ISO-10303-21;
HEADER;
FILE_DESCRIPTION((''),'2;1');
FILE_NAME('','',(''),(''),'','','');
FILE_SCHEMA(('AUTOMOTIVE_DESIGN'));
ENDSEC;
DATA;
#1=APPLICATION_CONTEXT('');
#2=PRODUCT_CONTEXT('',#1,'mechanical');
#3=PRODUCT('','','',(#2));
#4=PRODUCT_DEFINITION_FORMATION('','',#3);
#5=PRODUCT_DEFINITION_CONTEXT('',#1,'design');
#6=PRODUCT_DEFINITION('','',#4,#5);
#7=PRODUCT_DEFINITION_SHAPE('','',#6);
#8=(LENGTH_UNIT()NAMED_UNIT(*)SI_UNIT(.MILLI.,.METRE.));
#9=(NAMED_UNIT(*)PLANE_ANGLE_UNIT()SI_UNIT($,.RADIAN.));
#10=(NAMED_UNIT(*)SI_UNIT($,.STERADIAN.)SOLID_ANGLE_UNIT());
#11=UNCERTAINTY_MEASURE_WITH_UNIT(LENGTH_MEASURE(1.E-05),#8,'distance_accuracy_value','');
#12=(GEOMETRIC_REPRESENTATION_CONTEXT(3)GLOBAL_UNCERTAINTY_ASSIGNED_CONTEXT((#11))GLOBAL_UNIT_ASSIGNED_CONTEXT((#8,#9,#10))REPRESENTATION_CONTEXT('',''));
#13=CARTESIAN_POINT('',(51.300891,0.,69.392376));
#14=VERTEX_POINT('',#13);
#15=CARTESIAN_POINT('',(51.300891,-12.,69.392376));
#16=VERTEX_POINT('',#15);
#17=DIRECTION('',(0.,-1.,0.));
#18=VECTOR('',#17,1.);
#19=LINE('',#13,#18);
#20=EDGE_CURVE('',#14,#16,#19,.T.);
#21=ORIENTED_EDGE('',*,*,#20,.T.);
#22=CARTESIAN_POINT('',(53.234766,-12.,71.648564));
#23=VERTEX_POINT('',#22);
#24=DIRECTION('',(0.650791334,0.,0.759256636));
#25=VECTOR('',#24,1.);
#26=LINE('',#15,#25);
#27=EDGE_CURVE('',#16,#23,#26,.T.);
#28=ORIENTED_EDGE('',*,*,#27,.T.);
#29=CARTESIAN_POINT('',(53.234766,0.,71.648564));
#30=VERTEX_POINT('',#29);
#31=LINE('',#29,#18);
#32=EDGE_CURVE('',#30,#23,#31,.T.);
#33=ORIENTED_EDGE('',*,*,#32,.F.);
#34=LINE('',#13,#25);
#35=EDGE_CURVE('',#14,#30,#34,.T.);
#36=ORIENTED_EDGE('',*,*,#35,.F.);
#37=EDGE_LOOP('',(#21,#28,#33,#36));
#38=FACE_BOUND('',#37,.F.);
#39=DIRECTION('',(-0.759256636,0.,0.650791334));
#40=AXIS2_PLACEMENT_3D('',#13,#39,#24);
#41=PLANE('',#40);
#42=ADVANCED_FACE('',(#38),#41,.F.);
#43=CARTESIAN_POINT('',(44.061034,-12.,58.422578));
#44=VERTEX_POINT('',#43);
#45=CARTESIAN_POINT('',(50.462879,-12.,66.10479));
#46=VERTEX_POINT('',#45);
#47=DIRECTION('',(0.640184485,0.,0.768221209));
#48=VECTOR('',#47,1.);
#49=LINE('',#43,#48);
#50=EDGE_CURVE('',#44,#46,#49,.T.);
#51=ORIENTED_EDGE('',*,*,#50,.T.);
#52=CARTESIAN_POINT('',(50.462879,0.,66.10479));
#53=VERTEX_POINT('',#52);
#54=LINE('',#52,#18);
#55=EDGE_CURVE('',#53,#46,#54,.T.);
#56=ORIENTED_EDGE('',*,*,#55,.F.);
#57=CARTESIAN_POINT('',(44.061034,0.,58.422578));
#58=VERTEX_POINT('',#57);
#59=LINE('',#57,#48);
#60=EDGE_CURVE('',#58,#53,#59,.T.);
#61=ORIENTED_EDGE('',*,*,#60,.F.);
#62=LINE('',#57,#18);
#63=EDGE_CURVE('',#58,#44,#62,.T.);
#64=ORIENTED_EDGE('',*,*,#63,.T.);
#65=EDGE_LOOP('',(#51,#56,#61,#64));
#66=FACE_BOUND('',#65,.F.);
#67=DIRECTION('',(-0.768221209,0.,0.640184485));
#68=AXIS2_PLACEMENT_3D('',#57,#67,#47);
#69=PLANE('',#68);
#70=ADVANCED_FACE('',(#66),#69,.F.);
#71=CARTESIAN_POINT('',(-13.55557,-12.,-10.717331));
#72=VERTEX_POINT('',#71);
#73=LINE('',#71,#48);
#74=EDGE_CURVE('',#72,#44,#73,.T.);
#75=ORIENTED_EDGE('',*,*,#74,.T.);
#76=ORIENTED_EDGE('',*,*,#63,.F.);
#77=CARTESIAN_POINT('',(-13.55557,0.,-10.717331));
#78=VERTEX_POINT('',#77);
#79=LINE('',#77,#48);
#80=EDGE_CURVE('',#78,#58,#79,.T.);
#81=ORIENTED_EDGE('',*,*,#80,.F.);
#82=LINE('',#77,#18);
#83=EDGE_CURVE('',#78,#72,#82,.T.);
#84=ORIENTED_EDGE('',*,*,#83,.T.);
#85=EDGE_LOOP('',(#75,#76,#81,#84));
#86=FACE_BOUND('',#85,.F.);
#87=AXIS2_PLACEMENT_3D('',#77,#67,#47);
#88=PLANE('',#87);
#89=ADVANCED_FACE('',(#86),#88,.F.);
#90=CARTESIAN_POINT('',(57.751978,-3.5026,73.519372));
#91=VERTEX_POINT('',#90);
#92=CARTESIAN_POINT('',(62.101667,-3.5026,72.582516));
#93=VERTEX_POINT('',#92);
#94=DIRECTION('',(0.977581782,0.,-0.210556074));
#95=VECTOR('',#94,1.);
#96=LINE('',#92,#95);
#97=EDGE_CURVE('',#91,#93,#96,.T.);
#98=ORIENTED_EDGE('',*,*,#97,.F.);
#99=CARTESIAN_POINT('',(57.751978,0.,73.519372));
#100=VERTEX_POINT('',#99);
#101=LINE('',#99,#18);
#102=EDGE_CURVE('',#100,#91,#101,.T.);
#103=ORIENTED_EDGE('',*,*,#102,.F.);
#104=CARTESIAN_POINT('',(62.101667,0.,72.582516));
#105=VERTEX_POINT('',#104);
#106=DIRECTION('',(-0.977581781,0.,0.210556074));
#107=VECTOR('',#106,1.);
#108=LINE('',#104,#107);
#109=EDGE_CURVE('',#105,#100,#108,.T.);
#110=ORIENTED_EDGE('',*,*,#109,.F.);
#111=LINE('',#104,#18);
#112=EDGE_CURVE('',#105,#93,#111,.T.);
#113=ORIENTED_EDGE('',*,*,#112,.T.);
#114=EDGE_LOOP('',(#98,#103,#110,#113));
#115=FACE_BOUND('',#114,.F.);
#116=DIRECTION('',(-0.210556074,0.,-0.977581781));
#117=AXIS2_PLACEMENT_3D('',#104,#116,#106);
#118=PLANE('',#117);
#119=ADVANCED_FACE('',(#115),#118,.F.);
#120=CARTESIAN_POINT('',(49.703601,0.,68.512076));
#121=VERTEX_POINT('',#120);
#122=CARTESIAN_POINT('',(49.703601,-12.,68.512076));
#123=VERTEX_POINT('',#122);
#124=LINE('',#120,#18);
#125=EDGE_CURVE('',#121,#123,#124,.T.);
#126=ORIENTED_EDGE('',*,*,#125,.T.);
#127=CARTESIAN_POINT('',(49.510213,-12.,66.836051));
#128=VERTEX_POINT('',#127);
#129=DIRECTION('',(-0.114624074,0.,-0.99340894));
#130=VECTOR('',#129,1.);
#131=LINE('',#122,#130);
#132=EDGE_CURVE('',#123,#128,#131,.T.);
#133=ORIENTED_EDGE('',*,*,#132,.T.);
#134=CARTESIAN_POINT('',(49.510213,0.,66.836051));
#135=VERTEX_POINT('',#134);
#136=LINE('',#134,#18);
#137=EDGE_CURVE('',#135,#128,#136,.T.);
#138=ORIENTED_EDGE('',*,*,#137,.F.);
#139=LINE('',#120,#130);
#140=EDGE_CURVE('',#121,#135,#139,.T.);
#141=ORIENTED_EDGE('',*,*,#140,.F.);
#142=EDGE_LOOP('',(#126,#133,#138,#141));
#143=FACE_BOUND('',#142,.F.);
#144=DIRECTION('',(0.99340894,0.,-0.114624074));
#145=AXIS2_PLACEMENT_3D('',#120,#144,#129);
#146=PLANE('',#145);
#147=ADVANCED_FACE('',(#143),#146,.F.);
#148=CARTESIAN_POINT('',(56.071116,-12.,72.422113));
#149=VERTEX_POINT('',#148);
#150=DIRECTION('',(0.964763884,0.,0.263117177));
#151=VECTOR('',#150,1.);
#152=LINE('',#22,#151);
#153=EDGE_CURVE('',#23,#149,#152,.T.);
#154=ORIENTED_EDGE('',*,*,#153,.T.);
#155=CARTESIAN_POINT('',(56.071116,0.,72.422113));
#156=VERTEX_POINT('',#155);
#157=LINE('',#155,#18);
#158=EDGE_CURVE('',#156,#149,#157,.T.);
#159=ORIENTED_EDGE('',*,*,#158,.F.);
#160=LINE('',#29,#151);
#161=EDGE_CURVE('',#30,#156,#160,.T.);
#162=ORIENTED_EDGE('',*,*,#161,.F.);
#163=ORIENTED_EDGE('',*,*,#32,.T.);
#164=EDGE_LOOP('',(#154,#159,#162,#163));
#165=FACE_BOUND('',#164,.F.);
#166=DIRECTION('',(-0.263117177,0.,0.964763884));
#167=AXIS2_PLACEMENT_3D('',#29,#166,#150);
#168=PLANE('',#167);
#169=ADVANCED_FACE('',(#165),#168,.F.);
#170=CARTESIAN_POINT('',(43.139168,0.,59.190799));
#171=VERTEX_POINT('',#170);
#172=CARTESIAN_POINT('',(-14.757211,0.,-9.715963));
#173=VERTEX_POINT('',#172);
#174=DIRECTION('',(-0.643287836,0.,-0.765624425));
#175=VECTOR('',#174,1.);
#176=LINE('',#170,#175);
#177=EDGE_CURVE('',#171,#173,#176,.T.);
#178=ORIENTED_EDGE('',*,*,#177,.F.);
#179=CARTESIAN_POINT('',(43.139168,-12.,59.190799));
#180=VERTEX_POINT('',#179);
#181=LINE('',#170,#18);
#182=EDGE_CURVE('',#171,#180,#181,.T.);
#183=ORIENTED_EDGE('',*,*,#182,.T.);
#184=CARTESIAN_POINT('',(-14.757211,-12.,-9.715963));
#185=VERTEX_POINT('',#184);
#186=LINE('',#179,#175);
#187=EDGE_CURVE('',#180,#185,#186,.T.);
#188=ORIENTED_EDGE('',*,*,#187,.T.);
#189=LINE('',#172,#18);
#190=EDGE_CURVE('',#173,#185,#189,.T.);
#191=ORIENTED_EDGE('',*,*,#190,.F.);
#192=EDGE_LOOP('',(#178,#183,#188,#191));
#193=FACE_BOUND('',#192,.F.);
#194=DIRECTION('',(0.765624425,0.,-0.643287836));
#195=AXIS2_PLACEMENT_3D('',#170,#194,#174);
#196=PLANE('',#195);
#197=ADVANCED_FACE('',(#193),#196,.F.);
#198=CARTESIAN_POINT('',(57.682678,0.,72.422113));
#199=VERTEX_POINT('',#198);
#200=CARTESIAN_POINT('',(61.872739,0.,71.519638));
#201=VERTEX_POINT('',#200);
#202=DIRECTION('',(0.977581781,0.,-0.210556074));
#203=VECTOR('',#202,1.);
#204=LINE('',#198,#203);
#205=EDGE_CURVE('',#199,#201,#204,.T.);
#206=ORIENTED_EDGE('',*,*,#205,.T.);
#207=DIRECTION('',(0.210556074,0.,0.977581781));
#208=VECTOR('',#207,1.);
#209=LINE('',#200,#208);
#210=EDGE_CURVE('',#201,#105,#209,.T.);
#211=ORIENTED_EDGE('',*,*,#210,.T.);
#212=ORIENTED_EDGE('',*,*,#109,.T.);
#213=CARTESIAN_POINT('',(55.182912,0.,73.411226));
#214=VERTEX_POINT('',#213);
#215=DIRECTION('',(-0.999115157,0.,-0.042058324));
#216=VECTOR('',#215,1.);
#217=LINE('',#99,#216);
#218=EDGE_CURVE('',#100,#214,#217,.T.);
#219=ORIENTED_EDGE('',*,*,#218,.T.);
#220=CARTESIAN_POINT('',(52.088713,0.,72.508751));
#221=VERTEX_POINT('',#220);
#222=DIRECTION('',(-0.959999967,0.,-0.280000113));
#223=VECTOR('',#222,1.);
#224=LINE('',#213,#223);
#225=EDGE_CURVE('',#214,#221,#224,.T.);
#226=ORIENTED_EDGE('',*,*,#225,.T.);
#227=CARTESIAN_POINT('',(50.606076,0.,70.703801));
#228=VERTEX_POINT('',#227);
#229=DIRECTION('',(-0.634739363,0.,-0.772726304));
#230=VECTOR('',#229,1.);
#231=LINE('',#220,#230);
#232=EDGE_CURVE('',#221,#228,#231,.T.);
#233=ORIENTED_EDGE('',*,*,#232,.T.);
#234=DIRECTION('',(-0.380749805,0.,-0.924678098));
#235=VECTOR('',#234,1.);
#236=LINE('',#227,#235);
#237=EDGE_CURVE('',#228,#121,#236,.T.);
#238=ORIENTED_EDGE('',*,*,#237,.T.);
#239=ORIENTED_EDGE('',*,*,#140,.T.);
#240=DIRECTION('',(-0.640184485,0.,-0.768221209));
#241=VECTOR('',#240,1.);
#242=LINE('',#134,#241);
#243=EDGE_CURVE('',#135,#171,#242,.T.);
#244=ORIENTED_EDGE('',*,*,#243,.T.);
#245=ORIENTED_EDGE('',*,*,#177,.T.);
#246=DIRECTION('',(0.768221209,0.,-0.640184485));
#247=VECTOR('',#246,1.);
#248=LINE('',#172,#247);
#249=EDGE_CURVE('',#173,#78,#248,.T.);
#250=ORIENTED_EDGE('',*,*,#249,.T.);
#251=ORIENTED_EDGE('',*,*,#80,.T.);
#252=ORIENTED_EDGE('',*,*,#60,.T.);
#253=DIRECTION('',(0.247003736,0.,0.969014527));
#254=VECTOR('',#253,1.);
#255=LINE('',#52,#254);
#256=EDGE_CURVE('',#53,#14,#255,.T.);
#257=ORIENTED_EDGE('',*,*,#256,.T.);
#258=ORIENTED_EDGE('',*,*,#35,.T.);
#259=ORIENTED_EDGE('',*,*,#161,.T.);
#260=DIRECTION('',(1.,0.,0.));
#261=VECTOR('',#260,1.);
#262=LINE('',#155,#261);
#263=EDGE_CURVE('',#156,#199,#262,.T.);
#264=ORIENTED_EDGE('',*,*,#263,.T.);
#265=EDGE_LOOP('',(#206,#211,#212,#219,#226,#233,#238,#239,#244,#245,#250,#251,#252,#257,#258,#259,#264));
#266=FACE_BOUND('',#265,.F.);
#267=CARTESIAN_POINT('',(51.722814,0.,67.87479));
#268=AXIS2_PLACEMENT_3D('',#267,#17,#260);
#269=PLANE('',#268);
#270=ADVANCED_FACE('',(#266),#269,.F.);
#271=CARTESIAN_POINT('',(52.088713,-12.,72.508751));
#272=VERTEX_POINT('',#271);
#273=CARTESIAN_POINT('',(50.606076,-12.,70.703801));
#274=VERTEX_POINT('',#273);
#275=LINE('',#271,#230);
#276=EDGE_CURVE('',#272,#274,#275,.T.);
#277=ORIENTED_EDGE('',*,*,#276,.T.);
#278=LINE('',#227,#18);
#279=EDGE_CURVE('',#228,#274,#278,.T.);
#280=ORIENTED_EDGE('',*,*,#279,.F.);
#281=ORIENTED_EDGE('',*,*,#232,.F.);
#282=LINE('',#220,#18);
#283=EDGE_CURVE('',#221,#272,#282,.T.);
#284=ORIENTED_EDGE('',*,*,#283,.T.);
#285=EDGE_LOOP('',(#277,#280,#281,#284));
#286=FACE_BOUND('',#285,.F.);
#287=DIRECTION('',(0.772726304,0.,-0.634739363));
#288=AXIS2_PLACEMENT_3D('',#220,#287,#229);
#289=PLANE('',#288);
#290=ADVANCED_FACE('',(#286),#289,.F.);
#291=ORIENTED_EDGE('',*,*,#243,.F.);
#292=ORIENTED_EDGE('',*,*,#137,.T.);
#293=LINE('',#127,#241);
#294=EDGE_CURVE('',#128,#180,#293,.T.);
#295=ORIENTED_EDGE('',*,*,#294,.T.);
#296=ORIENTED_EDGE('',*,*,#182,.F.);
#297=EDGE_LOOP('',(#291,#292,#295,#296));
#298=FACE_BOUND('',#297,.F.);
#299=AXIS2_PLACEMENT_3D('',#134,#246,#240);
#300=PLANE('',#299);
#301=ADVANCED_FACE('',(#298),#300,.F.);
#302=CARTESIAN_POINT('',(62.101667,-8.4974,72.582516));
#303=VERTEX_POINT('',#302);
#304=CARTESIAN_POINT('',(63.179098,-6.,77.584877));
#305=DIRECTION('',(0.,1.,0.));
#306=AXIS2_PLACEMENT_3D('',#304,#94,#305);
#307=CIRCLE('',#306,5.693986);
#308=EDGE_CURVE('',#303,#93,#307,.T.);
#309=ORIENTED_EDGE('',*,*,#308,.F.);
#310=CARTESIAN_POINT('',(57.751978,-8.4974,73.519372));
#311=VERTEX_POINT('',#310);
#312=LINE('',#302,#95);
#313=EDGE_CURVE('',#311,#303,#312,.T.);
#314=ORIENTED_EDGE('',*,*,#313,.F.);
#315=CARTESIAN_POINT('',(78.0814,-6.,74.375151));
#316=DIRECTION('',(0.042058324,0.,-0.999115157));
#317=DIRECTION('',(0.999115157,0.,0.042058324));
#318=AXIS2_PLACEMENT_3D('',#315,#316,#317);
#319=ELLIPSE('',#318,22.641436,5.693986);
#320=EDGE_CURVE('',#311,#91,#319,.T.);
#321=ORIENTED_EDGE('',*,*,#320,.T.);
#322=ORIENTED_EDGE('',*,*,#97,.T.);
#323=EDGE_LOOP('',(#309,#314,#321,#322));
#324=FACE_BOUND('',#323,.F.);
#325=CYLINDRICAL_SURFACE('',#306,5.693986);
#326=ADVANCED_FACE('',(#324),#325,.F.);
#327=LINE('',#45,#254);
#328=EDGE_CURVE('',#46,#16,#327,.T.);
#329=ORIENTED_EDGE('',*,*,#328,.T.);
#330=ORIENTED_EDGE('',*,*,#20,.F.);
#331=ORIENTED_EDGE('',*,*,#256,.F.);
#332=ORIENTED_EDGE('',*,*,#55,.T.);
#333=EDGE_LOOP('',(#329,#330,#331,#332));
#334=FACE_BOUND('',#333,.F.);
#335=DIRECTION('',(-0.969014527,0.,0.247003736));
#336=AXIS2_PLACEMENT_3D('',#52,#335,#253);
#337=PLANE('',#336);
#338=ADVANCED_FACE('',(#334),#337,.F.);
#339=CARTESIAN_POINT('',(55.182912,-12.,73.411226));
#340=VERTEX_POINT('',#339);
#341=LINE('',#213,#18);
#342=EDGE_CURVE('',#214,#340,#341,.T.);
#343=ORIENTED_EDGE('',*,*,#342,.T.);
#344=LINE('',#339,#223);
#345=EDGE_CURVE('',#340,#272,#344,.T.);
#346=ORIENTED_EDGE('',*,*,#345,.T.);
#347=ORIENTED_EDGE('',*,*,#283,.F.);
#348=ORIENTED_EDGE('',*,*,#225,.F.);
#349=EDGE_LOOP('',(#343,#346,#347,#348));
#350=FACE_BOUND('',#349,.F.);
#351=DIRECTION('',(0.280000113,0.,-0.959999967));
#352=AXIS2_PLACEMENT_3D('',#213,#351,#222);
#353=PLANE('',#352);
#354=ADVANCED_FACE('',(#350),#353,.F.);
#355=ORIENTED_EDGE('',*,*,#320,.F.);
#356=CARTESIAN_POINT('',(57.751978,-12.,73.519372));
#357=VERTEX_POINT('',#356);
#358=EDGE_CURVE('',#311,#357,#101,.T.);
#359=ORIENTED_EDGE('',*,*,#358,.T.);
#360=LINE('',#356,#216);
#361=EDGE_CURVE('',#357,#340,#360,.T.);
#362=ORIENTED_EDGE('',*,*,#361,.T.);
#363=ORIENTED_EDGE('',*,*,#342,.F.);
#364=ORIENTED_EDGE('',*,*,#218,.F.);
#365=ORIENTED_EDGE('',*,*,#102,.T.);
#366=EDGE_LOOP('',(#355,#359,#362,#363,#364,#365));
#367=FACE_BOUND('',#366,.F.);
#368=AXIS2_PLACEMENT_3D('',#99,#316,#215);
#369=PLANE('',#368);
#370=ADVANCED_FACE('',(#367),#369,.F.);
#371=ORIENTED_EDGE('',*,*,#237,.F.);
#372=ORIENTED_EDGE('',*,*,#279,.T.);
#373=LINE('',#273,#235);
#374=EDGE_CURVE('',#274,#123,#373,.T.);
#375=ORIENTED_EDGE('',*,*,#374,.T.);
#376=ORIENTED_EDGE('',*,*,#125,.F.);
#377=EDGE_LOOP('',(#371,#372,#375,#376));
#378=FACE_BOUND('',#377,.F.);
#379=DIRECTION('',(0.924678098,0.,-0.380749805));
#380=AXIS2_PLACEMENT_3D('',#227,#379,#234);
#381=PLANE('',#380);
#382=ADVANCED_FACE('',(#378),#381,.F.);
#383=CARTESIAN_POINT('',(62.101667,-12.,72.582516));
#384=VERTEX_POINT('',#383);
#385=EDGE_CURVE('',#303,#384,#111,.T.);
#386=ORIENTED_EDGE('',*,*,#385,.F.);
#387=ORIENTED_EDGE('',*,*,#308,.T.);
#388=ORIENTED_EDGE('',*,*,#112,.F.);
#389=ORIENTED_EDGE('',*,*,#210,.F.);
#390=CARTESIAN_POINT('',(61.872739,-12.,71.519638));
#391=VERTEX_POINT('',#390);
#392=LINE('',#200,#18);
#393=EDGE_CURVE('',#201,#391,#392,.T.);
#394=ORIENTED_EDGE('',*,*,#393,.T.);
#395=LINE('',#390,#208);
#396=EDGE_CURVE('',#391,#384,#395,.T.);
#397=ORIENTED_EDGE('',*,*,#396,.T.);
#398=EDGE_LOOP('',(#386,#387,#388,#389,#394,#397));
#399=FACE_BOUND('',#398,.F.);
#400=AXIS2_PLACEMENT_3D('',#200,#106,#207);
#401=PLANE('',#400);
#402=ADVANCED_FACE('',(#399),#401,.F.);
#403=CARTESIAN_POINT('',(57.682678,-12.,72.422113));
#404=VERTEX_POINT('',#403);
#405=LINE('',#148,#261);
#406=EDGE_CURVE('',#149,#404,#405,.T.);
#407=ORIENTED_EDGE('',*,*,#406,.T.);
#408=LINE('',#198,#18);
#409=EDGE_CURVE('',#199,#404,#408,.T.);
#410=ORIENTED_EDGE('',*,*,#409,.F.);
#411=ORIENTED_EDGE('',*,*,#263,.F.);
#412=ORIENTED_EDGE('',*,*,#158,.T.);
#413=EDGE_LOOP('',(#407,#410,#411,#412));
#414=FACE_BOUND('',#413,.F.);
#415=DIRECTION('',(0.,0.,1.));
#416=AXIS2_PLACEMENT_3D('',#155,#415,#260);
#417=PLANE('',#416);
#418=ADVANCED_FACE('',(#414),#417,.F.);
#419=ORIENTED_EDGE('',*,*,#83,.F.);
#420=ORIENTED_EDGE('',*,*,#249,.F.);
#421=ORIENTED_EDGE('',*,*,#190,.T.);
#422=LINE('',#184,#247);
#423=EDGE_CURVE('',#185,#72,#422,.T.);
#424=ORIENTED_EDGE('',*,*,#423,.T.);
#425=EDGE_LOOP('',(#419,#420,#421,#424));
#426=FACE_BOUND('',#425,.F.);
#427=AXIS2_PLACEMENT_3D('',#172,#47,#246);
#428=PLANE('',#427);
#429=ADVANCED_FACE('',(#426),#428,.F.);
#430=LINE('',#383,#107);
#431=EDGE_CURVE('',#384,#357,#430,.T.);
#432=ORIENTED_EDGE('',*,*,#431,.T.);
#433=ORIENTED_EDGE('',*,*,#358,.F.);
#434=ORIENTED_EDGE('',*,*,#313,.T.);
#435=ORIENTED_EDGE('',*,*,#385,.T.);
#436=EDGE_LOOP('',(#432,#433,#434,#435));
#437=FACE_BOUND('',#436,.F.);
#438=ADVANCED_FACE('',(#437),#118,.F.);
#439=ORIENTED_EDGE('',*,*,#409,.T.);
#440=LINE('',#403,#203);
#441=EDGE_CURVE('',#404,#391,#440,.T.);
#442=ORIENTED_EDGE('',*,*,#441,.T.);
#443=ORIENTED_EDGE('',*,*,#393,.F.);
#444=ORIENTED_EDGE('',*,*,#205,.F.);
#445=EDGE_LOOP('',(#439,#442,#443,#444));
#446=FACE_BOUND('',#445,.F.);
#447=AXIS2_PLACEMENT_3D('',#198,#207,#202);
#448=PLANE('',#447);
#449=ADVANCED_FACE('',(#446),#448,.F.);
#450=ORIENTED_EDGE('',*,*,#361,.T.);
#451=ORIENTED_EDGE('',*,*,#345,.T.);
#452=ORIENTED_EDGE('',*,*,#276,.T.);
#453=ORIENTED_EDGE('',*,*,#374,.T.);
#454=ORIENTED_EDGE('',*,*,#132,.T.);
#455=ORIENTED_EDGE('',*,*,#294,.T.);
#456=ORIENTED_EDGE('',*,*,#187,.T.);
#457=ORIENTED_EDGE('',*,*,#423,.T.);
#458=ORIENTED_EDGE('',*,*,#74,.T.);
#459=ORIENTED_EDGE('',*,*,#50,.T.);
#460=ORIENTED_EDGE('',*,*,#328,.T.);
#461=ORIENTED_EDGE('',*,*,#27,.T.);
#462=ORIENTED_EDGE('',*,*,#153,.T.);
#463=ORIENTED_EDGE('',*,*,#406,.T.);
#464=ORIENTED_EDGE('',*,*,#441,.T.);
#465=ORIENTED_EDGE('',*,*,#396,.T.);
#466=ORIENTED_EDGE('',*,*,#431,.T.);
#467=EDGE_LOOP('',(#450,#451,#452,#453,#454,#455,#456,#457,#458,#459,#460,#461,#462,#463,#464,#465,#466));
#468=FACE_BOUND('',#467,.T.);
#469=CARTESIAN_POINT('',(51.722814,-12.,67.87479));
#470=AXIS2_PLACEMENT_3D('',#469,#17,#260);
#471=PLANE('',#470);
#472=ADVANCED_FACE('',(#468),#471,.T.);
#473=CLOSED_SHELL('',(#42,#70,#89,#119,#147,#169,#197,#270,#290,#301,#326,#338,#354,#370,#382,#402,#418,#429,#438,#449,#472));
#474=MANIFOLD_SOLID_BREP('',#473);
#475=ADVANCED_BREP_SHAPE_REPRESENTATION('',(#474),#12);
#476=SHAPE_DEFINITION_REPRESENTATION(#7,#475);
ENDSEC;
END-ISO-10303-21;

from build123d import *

# Parameters (mm, degrees)
F1_DEPTH = 12
F2_R     = 5.693986391
F3_DEPTH = 25


with BuildPart() as f1:
    # F0 (on Front) → F1 (new body)
    with BuildSketch(Plane.XZ):
        Polygon((43.1391684692, 59.1907990696), (44.0610339195, 58.4225776877), (50.4628787681, 66.1047897738), (51.3008911789, 69.3923764793), (53.2347661155, 71.6485641417), (56.0711156375, 72.4221132878), (57.6826776305, 72.4221132878), (61.8727392483, 71.5196384845), (62.1016667358, 72.5825161129), (57.7519780281, 73.5193721353), (55.1829122918, 73.4112258431), (52.0887128251, 72.5087506037), (50.6060758829, 70.7038009971), (49.7036008615, 68.5120759454), (49.510213466, 66.8360513418), align=None)
        Polygon((-13.5555697176, -10.7173310866), (44.0610339195, 58.4225776877), (43.1391684692, 59.1907990696), (-14.7572108049, -9.7159632881), align=None)
    extrude(amount=F1_DEPTH)

    # F2 (on face) → F3 (cut)
    with BuildSketch(Plane(origin=(44.4083811166, 0, -9.5648820156), x_dir=(0, 1, 0), z_dir=(0.9775817815, 0, -0.2105560744))):
        with Locations((-6, 89.1483053565)):
            Circle(F2_R)
    extrude(amount=-F3_DEPTH, mode=Mode.SUBTRACT)


solid = f1.part
